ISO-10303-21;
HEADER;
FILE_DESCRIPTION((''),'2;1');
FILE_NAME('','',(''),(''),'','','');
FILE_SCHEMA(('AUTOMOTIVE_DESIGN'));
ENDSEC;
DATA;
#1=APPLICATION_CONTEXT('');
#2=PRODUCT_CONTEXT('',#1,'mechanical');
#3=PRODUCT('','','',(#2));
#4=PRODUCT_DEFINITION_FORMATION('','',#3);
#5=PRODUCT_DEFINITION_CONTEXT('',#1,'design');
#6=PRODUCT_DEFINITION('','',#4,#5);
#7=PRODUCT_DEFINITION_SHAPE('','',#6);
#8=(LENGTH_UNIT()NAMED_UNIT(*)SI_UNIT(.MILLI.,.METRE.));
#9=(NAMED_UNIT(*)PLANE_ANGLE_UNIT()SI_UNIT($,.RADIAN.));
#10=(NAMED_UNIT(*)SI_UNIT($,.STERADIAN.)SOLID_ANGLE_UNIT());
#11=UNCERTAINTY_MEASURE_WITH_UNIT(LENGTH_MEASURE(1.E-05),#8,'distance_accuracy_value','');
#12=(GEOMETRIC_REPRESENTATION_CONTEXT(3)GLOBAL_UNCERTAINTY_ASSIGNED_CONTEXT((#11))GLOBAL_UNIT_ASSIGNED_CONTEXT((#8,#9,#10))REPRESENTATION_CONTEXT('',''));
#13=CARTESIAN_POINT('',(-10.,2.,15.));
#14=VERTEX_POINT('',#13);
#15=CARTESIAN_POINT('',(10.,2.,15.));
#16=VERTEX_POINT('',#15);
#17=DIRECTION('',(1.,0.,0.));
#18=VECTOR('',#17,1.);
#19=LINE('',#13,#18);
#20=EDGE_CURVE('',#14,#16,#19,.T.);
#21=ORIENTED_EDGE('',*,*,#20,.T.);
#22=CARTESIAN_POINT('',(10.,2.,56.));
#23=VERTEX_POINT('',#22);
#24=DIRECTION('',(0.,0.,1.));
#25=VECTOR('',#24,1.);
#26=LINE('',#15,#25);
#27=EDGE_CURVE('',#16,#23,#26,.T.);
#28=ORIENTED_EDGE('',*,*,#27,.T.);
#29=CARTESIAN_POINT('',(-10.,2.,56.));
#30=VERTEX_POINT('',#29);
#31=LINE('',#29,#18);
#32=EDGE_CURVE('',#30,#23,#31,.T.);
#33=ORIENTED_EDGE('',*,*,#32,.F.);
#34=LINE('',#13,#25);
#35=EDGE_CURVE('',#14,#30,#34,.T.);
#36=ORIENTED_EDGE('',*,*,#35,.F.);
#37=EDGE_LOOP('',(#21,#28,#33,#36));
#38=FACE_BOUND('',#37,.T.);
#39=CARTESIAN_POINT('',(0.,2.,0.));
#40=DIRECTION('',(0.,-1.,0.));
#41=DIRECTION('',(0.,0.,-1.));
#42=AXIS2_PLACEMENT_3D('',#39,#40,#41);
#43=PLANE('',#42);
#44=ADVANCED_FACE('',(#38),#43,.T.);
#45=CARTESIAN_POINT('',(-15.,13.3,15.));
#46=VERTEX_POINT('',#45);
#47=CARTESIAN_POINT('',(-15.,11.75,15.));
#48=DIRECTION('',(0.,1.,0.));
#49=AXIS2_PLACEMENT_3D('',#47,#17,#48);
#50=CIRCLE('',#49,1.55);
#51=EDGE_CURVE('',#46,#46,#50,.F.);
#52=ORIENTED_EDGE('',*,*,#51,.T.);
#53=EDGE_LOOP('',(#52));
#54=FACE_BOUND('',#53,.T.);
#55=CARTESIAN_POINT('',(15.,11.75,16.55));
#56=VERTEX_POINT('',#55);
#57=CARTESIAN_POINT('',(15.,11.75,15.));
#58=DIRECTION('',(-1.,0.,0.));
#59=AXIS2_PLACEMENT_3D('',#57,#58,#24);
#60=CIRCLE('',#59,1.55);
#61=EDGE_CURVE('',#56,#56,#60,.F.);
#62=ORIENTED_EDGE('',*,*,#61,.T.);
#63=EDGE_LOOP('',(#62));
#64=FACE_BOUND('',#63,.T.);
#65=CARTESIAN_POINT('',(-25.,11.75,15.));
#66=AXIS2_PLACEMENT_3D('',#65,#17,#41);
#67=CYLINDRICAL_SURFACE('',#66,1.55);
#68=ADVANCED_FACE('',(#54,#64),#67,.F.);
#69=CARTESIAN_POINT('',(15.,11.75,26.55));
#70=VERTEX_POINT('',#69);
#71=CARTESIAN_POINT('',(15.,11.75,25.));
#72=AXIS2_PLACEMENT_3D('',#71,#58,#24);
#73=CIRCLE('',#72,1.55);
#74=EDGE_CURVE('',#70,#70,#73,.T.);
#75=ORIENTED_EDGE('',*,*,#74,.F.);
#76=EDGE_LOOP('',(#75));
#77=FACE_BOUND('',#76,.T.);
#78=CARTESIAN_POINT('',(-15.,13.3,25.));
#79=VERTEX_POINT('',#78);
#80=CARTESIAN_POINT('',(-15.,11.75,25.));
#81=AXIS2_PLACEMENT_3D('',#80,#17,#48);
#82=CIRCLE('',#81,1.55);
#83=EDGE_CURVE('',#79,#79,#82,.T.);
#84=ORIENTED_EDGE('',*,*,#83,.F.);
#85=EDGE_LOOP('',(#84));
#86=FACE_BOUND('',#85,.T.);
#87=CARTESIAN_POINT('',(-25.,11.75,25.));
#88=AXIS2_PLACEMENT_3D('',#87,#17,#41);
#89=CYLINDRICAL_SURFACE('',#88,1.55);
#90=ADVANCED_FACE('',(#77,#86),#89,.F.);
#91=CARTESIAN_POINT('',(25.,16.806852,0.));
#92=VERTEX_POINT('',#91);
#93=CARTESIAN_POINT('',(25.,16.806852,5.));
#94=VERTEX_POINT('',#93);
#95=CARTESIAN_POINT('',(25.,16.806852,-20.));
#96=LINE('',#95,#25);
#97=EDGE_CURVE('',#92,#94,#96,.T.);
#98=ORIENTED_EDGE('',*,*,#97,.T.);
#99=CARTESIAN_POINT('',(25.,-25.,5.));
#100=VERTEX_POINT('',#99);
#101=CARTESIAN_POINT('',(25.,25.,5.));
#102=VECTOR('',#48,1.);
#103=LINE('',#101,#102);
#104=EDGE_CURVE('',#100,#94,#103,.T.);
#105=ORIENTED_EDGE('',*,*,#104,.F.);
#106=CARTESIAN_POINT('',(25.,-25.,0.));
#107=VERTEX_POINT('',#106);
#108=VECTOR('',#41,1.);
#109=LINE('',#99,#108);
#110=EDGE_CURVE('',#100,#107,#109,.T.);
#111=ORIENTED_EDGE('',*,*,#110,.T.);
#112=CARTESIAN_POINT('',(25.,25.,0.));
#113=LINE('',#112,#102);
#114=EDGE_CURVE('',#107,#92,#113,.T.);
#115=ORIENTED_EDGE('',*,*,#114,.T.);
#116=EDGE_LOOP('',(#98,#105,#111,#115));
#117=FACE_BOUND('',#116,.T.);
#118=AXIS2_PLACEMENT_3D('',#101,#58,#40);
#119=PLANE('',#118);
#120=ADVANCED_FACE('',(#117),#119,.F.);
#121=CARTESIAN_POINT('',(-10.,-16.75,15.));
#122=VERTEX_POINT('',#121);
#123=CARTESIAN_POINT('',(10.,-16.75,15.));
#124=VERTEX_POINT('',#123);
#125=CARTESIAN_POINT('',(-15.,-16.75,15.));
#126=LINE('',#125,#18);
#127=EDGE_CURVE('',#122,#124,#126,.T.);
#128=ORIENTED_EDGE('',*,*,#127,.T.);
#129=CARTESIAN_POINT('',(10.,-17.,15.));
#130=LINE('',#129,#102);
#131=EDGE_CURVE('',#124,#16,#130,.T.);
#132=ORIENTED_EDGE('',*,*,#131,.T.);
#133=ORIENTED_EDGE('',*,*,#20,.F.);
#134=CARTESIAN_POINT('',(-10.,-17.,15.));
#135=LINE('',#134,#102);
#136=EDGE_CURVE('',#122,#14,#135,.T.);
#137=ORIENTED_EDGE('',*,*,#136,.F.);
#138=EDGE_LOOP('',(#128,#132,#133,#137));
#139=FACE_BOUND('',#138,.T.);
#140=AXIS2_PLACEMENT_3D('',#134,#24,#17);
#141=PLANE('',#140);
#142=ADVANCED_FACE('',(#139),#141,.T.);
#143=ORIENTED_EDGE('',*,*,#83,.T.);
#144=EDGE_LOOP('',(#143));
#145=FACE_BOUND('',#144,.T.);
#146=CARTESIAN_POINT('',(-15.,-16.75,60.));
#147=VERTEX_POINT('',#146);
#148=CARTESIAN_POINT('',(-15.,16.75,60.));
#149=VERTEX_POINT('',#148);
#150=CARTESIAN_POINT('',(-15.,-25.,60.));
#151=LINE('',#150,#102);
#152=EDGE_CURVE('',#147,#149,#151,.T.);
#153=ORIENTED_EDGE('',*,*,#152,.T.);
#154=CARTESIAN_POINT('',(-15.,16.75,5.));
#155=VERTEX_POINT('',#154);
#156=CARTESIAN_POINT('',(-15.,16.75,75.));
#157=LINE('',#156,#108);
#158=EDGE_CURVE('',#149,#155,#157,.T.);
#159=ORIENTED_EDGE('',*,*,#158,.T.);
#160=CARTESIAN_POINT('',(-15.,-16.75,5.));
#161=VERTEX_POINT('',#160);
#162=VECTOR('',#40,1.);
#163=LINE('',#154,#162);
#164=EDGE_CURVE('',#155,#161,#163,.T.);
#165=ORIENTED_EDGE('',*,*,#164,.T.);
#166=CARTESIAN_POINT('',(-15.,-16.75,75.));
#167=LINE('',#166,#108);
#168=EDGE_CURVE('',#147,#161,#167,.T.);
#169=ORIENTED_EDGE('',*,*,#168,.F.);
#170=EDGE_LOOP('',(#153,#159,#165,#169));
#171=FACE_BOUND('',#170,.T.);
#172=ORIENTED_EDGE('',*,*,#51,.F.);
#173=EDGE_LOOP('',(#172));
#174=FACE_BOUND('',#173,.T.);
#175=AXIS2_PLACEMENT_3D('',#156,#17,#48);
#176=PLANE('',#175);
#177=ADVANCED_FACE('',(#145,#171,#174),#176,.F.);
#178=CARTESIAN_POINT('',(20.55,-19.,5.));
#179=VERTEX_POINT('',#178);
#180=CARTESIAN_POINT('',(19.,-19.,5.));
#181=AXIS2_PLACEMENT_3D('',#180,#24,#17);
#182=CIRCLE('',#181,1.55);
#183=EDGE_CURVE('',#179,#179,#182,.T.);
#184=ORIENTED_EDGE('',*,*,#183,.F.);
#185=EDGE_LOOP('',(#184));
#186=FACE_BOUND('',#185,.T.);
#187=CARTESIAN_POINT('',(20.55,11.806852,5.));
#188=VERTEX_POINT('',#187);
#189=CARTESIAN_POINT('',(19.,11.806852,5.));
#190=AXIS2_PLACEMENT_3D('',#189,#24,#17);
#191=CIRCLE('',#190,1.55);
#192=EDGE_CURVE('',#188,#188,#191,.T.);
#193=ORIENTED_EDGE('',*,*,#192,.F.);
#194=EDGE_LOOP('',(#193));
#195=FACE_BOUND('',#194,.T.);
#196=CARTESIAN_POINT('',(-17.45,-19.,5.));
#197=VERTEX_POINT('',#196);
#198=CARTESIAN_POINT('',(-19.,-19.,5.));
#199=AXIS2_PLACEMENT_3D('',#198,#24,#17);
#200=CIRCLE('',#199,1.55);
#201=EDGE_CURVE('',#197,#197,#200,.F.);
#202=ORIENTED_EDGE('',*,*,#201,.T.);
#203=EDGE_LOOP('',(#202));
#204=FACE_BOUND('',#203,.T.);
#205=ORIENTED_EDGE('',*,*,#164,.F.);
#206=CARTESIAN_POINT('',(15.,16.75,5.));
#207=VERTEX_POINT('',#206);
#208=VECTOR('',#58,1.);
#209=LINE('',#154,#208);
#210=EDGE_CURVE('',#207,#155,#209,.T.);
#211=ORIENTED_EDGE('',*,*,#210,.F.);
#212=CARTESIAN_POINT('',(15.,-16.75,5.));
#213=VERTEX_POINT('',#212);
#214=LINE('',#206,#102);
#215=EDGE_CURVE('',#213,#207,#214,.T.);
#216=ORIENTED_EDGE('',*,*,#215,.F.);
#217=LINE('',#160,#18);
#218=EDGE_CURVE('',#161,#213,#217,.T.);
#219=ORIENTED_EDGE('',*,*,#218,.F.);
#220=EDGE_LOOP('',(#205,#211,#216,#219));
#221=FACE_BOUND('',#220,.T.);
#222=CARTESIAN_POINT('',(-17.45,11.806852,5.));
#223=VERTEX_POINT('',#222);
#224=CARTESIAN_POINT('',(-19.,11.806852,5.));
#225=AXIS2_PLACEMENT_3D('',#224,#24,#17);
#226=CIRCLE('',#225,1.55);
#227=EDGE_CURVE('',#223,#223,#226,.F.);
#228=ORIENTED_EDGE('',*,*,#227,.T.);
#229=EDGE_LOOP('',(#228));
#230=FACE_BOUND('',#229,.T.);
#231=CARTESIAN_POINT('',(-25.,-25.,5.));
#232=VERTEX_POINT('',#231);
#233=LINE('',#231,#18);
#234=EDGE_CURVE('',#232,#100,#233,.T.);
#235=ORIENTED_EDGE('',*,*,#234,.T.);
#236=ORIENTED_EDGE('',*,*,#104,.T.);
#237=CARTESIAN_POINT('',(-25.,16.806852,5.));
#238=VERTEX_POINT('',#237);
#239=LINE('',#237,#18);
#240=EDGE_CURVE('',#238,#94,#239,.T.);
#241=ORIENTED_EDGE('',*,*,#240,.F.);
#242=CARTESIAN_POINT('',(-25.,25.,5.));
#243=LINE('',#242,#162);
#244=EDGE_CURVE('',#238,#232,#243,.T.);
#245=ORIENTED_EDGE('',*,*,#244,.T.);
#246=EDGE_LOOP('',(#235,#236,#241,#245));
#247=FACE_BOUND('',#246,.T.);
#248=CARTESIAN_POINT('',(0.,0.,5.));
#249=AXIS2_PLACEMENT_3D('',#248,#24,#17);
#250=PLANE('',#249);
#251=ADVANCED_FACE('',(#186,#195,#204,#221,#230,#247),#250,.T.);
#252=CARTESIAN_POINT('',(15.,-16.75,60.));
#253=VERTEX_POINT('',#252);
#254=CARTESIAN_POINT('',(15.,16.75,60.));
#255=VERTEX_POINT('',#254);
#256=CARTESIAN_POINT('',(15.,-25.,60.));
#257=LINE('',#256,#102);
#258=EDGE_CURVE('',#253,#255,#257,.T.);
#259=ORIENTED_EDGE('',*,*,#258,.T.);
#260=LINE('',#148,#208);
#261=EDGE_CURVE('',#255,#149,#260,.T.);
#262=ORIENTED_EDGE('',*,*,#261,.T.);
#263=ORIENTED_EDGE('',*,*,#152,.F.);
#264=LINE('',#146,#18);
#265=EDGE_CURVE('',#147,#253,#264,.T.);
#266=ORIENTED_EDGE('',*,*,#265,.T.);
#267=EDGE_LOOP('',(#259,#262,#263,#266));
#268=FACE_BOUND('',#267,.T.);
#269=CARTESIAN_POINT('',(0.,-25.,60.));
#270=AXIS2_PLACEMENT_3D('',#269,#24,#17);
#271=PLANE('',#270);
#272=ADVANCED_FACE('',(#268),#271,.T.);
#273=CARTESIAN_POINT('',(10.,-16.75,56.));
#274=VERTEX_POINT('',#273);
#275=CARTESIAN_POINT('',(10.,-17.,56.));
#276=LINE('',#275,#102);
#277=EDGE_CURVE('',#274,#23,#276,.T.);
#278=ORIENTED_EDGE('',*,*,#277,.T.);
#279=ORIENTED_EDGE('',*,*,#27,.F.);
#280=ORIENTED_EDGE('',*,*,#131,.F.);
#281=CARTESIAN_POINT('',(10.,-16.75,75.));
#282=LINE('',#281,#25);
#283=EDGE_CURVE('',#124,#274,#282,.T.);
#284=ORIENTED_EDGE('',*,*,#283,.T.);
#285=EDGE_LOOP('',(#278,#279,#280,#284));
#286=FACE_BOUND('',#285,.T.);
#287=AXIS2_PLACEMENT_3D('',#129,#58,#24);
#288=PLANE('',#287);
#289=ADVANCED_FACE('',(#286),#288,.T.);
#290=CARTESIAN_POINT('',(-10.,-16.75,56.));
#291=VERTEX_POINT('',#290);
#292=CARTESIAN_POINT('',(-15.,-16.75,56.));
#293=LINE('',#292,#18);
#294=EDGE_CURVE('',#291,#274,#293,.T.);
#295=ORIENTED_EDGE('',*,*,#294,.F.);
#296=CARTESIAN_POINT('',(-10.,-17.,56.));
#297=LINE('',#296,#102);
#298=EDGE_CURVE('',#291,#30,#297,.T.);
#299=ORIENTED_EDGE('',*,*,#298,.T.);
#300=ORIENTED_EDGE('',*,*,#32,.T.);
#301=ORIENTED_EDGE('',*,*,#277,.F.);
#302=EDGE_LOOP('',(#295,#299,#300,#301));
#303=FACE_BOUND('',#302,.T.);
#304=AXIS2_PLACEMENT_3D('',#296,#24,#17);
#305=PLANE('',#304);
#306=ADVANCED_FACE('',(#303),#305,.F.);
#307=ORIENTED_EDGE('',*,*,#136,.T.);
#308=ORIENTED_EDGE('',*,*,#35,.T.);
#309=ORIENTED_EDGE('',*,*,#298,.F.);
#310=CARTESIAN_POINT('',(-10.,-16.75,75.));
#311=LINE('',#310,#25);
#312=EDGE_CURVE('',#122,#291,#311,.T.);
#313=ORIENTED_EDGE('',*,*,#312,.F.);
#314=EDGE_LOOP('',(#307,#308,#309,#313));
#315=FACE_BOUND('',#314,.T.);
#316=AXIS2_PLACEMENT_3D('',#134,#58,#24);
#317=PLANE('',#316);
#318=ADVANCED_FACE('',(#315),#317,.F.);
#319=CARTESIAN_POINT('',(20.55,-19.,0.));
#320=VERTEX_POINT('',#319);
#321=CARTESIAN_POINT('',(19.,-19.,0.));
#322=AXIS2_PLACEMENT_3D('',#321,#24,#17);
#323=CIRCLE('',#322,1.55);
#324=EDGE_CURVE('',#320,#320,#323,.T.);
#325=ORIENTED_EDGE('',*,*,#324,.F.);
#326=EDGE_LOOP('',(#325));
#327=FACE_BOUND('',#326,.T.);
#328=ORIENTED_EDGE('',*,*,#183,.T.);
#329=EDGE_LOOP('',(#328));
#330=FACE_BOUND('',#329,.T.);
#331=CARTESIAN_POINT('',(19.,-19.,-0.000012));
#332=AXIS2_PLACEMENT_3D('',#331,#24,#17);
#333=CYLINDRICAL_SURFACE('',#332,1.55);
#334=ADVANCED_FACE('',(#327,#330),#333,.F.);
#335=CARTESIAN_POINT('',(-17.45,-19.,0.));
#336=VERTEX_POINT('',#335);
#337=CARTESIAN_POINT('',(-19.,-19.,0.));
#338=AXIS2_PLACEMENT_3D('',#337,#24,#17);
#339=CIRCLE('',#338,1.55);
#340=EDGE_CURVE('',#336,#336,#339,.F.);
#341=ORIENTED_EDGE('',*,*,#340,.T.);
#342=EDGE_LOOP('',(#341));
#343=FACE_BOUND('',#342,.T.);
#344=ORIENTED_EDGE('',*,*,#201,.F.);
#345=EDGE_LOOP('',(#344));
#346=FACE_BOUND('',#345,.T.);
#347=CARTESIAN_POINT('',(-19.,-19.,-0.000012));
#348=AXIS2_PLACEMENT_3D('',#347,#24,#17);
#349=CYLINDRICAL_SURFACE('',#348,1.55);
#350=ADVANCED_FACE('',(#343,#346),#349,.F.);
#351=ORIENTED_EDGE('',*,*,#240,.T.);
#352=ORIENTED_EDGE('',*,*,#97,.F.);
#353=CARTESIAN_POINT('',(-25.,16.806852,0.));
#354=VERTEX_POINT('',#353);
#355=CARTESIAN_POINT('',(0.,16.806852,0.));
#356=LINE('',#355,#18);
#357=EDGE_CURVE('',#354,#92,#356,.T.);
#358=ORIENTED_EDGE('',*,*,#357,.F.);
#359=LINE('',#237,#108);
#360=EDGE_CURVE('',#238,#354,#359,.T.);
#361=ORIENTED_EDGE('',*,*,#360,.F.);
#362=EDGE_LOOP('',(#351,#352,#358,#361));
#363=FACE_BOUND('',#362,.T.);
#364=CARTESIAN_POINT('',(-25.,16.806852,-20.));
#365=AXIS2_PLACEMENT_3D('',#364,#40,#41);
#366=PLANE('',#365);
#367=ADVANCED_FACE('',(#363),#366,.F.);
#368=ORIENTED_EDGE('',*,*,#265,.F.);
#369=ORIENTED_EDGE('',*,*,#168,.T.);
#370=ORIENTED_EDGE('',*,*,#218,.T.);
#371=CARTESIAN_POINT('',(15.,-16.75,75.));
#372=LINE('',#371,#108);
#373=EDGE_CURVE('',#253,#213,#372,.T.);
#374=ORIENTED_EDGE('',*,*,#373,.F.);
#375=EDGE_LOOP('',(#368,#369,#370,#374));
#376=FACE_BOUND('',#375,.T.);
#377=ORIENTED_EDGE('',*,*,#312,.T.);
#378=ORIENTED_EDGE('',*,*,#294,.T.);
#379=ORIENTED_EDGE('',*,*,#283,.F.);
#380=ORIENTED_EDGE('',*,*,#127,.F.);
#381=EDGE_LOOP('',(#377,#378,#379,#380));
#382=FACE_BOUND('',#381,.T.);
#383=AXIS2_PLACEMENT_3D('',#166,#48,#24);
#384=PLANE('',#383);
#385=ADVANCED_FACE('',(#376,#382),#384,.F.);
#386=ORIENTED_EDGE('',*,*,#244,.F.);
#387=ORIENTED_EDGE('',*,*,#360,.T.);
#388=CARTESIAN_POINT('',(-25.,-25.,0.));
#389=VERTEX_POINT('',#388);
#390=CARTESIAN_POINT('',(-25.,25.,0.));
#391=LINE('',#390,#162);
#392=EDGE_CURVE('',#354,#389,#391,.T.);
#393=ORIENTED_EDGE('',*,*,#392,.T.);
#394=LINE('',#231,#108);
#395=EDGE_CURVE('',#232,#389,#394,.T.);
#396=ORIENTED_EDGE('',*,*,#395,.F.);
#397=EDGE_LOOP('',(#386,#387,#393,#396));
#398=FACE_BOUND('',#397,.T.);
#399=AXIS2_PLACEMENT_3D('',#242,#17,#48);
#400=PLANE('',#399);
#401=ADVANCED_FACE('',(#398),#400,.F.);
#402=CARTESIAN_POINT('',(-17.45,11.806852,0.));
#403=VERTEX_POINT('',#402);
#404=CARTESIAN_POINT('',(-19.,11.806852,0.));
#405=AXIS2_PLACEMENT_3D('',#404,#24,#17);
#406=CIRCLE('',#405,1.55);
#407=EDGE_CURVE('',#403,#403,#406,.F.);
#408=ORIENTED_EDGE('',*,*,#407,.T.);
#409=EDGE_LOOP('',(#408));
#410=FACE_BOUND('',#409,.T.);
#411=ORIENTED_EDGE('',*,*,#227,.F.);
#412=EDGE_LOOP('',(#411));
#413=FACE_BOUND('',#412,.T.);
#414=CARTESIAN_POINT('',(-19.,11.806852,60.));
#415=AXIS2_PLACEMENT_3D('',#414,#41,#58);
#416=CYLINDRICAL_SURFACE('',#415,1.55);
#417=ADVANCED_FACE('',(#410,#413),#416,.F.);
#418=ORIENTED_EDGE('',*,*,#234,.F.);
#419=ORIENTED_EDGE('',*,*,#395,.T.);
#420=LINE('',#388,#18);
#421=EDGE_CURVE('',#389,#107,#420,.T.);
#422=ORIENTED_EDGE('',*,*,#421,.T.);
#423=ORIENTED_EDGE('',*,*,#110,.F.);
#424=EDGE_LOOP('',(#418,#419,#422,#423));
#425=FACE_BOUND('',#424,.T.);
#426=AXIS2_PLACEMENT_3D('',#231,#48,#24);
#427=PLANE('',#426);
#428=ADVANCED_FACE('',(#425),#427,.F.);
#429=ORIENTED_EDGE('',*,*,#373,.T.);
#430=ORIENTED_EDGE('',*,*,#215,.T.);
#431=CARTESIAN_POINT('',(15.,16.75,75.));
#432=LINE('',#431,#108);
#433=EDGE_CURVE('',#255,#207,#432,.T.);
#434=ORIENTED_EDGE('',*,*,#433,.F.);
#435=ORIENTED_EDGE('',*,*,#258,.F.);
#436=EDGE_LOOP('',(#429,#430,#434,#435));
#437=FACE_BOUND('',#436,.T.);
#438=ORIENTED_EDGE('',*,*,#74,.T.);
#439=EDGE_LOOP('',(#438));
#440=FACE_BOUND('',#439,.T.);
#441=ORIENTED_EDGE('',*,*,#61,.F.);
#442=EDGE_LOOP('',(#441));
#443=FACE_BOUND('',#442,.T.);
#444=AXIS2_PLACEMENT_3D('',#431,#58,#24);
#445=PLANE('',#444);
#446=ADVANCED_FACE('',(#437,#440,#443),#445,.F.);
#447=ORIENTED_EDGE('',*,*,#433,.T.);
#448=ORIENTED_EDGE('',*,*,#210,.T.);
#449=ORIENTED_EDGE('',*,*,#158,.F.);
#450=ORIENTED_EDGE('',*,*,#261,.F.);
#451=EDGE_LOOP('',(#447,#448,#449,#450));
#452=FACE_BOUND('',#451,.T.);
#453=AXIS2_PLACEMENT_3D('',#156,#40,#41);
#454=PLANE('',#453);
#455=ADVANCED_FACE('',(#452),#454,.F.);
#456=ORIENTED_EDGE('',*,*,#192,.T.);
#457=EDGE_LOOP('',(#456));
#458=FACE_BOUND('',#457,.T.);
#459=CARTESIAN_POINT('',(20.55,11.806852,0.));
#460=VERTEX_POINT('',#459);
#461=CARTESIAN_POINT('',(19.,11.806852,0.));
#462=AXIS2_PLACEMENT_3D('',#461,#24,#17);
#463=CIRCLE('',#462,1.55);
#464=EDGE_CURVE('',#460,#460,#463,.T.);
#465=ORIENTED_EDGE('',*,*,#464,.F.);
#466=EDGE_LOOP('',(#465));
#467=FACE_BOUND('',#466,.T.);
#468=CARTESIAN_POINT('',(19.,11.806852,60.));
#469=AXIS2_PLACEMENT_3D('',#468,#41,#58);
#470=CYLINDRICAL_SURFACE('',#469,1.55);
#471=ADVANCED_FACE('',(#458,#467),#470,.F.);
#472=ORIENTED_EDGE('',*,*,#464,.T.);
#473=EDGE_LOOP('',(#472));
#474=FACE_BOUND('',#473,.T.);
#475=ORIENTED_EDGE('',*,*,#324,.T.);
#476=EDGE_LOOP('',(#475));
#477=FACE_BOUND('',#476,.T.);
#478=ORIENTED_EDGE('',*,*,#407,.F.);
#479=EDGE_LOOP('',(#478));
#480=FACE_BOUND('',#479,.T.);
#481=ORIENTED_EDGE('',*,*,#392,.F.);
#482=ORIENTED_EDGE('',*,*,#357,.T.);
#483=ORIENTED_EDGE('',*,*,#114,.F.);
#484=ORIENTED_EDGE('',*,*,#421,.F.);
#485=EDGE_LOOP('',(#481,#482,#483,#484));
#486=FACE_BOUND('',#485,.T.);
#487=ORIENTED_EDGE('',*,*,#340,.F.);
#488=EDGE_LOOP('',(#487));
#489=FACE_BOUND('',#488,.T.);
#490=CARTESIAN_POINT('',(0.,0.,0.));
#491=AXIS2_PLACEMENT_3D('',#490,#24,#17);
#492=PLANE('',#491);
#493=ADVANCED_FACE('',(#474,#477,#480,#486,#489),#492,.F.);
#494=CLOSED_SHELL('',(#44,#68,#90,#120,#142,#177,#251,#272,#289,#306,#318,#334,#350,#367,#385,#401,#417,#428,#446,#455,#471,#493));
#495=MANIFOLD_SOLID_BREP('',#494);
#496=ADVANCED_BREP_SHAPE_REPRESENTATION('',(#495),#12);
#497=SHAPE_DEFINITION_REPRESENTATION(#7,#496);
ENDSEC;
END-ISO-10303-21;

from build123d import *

# Parameters (mm, degrees)
SKETCH3_W               = 50
SKETCH3_H               = 50
BOSS_EXTRUDE1_DEPTH     = 5
BOSS_EXTRUDE4_START     = 5
SKETCH4_W               = 30
SKETCH4_H               = 33.5
BOSS_EXTRUDE4_DEPTH     = 70
CUT_EXTRUDE1_START      = 2
SKETCH6_W               = 20
SKETCH6_H               = 41
CUT_EXTRUDE1_DEPTH      = 19
SKETCH7_W               = 30
SKETCH7_H               = 15
CUT_EXTRUDE2_DEPTH      = 26
CUT_EXTRUDE2_DEPTH_BACK = 26
SKETCH9_R               = 1.55
CUT_EXTRUDE4_DEPTH      = 26
CUT_EXTRUDE4_DEPTH_BACK = 26
SKETCH10_R              = 1.55
CUT_EXTRUDE6_DEPTH      = 61
CUT_EXTRUDE6_DEPTH_BACK = 1
SKETCH11_W              = 50
SKETCH11_H              = 8.193147868
CUT_EXTRUDE7_DEPTH      = 25
SKETCH12_R              = 1.55
CUT_EXTRUDE8_DEPTH      = 61
CUT_EXTRUDE8_DEPTH_BACK = 25


with BuildPart() as part:
    # Sketch3 → Boss-Extrude1 (new body)
    with BuildSketch(Plane.XY):
        Rectangle(SKETCH3_W, SKETCH3_H)
    extrude(amount=BOSS_EXTRUDE1_DEPTH)

    # Sketch4 → Boss-Extrude4 (add)
    with BuildSketch(Plane.XY.offset(BOSS_EXTRUDE4_START)):
        Rectangle(SKETCH4_W, SKETCH4_H)
    extrude(amount=BOSS_EXTRUDE4_DEPTH)

    # Sketch6 → Cut-Extrude1 (cut)
    with BuildSketch(Plane(origin=(0, 0, 0), x_dir=(1, 0, 0), z_dir=(0, 1, 0)).offset(CUT_EXTRUDE1_START)):
        with Locations((0, -35.5)):
            Rectangle(SKETCH6_W, SKETCH6_H)
    extrude(amount=-CUT_EXTRUDE1_DEPTH, mode=Mode.SUBTRACT)

    # Sketch7 → Cut-Extrude2 (cut, two sides)
    with BuildSketch(Plane(origin=(0, 0, 0), x_dir=(1, 0, 0), z_dir=(0, 1, 0))) as cut_extrude2_sk:
        with Locations((0, -67.5)):
            Rectangle(SKETCH7_W, SKETCH7_H)
    extrude(amount=CUT_EXTRUDE2_DEPTH, mode=Mode.SUBTRACT)
    extrude(cut_extrude2_sk.sketch, amount=-CUT_EXTRUDE2_DEPTH_BACK, mode=Mode.SUBTRACT)

    # Sketch9 → Cut-Extrude4 (cut, two sides)
    with BuildSketch(Plane(origin=(0, 0, 0), x_dir=(0, 0, -1), z_dir=(1, 0, 0))) as cut_extrude4_sk:
        with Locations((-25, 11.75)):
            Circle(SKETCH9_R)
        with Locations((-15, 11.75)):
            Circle(SKETCH9_R)
    extrude(amount=CUT_EXTRUDE4_DEPTH, mode=Mode.SUBTRACT)
    extrude(cut_extrude4_sk.sketch, amount=-CUT_EXTRUDE4_DEPTH_BACK, mode=Mode.SUBTRACT)

    # Sketch10 → Cut-Extrude6 (cut, two sides)
    with BuildSketch(Plane.XY) as cut_extrude6_sk:
        with BuildLine():
            Line((-20.096015511, 20.096015511), (-17.903984489, 17.903984489))
            ThreePointArc((-17.903984489, 17.903984489), (-17.903984489, 20.096015511), (-20.096015511, 20.096015511))
        make_face()
        with Locations((19, 19)):
            Circle(SKETCH10_R)
        with Locations((19, -19)):
            Circle(SKETCH10_R)
        with Locations((-19, -19)):
            Circle(SKETCH10_R)
    extrude(amount=CUT_EXTRUDE6_DEPTH, mode=Mode.SUBTRACT)
    extrude(cut_extrude6_sk.sketch, amount=-CUT_EXTRUDE6_DEPTH_BACK, mode=Mode.SUBTRACT)

    # Sketch11 → Cut-Extrude7 (cut)
    with BuildSketch(Plane.XY.offset(5)):
        with Locations((0, 20.903426066)):
            Rectangle(SKETCH11_W, SKETCH11_H)
    extrude(amount=-CUT_EXTRUDE7_DEPTH, mode=Mode.SUBTRACT)

    # Sketch12 → Cut-Extrude8 (cut, two sides)
    with BuildSketch(Plane.XY) as cut_extrude8_sk:
        with Locations((-19, 11.806852132)):
            Circle(SKETCH12_R)
        with Locations((19, 11.806852132)):
            Circle(SKETCH12_R)
    extrude(amount=CUT_EXTRUDE8_DEPTH, mode=Mode.SUBTRACT)
    extrude(cut_extrude8_sk.sketch, amount=-CUT_EXTRUDE8_DEPTH_BACK, mode=Mode.SUBTRACT)


solid = part.part
